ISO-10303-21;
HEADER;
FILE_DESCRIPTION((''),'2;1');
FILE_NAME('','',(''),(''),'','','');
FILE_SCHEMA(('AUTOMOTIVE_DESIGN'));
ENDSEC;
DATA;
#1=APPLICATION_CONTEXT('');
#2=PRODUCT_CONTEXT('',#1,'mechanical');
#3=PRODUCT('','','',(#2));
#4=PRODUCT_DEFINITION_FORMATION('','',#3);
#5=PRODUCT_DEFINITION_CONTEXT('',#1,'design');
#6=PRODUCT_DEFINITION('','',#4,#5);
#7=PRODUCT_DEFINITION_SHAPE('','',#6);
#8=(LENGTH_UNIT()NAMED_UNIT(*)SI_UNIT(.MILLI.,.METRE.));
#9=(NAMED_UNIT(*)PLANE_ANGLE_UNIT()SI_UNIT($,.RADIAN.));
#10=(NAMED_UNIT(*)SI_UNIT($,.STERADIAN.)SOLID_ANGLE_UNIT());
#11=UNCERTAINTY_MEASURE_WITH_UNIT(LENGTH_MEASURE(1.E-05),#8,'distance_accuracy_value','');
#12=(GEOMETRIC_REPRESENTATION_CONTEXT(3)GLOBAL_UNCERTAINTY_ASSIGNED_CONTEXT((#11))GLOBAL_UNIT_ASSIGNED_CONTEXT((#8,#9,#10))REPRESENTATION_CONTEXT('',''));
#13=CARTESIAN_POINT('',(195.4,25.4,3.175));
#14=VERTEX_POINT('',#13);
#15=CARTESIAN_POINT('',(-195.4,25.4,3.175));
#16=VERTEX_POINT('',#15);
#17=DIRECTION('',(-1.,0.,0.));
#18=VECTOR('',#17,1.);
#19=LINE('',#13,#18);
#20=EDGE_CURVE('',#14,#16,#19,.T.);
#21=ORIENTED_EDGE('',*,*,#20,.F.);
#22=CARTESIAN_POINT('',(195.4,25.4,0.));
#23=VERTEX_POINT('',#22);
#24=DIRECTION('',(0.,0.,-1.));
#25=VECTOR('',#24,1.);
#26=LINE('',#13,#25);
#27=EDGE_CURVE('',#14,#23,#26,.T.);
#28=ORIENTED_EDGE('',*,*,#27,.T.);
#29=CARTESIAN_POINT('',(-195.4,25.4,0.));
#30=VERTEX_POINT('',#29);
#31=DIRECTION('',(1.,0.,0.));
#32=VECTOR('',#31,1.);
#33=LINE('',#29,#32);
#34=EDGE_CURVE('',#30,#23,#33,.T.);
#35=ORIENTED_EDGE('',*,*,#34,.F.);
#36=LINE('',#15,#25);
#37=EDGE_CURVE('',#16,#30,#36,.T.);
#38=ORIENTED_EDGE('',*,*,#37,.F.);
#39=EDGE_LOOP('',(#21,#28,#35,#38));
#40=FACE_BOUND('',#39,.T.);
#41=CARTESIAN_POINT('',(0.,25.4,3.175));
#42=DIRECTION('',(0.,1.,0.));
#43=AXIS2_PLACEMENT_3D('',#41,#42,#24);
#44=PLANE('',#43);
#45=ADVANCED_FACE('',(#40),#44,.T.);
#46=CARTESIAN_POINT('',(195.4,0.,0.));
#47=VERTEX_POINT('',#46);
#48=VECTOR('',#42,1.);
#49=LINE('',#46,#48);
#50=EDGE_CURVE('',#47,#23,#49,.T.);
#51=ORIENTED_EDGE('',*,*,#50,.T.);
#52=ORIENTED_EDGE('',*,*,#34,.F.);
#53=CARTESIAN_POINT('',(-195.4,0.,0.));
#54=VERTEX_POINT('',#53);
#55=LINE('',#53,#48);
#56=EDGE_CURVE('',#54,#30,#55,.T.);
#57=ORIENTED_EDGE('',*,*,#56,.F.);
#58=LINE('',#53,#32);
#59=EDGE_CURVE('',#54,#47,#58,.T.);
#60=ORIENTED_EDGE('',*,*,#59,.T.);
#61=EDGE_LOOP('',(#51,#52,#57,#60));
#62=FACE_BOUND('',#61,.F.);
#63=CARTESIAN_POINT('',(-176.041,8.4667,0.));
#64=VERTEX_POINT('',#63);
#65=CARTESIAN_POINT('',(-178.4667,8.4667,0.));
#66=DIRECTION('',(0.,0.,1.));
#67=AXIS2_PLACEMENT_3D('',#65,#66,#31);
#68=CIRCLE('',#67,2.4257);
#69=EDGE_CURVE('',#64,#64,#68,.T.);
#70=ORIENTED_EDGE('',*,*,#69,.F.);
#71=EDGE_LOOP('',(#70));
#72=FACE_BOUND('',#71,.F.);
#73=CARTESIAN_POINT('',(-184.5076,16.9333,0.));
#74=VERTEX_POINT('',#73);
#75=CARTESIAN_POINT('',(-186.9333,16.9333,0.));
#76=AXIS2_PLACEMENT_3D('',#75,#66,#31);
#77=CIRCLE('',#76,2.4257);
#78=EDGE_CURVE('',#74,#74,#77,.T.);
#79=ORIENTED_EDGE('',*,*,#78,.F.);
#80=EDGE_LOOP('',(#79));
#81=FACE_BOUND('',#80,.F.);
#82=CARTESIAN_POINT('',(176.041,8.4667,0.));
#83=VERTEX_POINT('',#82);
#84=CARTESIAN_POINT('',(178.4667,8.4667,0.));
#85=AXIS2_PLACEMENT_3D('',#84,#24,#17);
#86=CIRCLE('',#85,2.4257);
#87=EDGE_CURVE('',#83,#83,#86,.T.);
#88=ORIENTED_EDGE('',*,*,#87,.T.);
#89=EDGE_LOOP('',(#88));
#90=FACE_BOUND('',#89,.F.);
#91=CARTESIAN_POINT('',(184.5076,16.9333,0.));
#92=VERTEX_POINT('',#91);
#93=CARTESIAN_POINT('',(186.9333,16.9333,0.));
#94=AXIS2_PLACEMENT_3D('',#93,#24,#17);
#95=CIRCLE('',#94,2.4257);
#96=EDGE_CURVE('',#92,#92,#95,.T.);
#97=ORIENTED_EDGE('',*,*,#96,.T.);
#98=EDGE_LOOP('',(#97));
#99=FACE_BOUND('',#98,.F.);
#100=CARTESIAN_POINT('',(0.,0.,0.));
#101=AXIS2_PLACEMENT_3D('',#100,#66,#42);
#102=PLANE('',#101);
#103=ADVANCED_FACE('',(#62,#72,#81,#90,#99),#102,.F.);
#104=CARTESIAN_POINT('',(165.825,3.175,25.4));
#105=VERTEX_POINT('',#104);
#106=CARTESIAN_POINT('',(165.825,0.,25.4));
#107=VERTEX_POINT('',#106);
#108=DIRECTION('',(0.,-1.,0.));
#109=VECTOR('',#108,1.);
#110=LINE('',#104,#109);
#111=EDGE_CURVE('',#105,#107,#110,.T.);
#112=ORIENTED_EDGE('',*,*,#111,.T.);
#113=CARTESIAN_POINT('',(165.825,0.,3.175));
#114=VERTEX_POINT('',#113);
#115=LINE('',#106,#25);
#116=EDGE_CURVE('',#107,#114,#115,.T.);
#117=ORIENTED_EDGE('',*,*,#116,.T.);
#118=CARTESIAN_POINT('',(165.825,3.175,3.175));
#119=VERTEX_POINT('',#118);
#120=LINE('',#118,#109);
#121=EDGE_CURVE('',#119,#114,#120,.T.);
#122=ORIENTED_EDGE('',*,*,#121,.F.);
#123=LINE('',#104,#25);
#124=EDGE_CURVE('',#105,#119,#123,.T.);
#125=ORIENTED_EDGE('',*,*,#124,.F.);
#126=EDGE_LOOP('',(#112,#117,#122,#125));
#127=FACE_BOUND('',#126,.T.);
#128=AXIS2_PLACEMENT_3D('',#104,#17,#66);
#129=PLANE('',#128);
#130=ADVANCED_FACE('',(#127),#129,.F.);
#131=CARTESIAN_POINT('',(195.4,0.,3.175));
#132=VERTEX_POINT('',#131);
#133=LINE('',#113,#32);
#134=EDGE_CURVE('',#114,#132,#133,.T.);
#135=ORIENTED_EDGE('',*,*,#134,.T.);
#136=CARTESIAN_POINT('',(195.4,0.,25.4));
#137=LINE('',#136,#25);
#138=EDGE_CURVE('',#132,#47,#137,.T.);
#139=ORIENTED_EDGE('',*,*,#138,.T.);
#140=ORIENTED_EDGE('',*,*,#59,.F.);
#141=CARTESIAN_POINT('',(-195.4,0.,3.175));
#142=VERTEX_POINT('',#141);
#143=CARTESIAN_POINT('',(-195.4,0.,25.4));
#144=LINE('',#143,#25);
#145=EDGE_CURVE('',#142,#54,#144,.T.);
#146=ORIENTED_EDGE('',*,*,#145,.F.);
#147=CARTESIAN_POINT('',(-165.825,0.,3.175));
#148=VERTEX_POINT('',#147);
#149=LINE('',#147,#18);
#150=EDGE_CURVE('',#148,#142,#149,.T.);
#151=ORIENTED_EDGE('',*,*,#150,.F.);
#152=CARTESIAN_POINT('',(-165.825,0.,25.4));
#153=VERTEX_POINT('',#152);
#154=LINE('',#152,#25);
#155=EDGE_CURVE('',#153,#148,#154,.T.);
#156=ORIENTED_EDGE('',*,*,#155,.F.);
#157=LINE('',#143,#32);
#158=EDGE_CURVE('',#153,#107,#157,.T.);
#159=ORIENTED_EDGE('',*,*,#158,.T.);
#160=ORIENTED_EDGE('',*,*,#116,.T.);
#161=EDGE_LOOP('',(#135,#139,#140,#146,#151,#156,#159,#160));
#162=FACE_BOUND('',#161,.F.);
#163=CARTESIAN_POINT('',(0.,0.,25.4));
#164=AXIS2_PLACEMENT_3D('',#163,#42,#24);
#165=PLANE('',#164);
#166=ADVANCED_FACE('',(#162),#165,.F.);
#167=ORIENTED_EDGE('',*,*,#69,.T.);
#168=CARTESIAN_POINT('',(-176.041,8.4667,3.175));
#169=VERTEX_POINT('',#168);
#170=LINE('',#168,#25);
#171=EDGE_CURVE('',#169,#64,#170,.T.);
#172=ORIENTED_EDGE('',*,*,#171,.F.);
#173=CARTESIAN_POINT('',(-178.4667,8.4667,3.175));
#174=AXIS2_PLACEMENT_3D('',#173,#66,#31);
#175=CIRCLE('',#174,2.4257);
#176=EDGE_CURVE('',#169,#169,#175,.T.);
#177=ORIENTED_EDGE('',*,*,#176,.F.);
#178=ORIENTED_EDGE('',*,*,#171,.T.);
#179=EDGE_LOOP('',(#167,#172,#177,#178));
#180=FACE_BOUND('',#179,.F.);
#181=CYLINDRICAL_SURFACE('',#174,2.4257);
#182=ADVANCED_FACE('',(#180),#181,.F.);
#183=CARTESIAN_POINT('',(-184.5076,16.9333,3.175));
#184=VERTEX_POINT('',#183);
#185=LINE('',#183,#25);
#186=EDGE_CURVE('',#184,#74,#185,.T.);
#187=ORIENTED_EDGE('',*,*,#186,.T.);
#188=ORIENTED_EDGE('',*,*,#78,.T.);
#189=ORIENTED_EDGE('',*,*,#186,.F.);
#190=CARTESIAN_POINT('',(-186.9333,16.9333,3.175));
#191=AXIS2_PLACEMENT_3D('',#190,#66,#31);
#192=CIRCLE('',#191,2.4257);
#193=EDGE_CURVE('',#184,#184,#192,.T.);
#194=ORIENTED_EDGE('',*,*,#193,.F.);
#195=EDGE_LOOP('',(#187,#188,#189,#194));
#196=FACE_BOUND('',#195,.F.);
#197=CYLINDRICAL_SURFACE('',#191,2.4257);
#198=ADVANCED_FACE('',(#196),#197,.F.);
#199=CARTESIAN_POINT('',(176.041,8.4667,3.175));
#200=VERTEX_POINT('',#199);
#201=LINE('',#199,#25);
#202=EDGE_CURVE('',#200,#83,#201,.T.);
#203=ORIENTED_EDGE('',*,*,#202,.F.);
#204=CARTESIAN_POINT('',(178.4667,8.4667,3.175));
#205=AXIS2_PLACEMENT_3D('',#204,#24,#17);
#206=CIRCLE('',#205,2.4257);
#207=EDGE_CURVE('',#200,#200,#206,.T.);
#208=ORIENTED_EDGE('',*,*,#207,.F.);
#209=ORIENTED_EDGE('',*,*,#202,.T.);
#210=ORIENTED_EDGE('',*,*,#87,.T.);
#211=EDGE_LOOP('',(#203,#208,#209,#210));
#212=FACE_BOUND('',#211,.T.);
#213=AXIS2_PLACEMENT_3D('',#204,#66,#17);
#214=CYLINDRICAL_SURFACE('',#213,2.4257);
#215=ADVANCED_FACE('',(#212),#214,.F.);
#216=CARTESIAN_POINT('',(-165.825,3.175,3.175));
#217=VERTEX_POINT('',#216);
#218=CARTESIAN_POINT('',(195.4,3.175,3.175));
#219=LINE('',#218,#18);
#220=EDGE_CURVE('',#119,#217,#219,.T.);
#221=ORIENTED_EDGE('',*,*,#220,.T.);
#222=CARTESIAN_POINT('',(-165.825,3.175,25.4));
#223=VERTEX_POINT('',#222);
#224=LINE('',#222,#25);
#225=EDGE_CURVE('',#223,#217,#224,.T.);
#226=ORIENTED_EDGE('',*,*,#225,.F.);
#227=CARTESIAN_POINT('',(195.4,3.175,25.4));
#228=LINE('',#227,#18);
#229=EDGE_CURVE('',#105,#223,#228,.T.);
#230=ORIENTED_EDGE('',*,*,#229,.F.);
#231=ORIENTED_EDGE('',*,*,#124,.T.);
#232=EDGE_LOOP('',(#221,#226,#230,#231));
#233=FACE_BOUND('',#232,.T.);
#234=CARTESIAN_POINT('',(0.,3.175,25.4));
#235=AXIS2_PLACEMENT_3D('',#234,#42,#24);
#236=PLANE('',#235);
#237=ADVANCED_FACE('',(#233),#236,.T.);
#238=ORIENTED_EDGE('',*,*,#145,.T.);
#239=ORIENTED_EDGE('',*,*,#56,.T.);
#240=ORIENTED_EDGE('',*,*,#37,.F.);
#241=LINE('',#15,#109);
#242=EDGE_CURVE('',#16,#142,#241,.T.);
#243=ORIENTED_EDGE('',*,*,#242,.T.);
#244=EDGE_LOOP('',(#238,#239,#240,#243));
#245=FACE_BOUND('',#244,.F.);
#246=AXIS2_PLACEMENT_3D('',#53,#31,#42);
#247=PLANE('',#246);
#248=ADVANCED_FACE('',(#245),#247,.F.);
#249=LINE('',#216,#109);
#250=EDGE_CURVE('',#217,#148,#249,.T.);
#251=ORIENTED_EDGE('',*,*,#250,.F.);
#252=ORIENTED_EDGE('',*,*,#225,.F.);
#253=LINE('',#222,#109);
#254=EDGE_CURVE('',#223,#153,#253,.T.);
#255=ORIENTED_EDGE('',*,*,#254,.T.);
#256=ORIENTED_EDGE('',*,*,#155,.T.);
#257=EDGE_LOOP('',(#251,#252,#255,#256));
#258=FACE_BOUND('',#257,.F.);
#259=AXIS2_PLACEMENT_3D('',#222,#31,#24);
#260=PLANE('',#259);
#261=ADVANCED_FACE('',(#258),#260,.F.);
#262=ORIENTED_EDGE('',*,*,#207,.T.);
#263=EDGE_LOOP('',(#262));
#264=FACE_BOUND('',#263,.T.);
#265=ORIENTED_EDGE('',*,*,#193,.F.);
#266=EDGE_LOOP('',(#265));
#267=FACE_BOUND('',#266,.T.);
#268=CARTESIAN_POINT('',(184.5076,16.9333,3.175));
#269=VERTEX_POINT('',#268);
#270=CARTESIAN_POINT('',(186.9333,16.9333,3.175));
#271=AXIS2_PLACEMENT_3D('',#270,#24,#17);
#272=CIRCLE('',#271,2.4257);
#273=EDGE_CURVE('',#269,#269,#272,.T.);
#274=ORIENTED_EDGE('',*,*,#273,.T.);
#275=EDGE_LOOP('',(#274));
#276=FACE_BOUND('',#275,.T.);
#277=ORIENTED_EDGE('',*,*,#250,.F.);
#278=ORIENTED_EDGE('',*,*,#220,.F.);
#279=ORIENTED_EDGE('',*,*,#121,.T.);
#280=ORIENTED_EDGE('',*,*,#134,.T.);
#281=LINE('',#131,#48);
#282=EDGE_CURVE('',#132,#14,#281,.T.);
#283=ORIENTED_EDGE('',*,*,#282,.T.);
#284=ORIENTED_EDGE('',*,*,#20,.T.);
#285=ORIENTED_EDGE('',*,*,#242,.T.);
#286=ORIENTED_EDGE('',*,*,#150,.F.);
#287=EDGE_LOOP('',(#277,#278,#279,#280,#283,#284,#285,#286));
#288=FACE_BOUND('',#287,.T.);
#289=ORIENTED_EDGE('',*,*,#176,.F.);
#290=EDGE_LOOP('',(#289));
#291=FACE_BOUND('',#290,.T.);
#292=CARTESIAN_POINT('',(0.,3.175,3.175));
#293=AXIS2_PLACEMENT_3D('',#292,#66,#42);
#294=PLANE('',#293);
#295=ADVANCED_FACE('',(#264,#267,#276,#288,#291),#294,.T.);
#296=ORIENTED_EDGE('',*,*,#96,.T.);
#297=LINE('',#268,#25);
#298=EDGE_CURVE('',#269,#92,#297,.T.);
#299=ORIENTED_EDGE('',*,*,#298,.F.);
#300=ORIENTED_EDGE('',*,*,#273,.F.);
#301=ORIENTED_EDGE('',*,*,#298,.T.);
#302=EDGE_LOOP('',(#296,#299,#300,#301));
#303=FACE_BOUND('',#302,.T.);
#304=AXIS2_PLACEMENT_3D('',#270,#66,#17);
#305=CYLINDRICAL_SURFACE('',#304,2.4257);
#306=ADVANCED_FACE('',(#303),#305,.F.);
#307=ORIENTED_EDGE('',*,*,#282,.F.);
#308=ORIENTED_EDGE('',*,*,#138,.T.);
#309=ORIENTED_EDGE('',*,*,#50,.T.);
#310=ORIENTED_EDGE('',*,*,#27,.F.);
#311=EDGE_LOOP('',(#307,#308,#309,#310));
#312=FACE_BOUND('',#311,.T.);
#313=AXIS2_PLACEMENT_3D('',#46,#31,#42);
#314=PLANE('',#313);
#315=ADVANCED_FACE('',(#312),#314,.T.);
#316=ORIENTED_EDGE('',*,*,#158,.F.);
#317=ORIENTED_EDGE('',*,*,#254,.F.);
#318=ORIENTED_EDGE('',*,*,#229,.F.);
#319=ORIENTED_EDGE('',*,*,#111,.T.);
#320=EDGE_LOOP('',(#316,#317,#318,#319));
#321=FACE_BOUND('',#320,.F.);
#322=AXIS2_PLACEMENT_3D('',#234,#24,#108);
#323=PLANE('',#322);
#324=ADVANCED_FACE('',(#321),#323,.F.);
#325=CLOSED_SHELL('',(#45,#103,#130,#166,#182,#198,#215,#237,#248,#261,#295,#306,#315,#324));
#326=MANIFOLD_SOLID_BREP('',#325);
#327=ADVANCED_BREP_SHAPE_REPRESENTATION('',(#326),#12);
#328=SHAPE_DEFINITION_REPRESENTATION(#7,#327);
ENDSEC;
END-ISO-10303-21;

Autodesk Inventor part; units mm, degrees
ref_plane "YZ Plane" through (0, 0, 0) normal (1, 0, 0) x (0, 1, 0)
ref_plane "XZ Plane" through (0, 0, 0) normal (0, 1, 0) x (-1, 0, 0)
ref_plane "XY Plane" through (0, 0, 0) normal (0, 0, 1) x (1, 0, 0)
sketch "Sketch1" plane through (0, 0, 0) normal (1, 0, 0) x (0, 1, 0)
  line L0 (25.4, 25.4) -> (0, 25.4) construction
  line L1 (0, 25.4) -> (0, 0)
  line L2 (0, 0) -> (25.4, 0)
  line L3 (25.4, 0) -> (25.4, 25.4) construction
  line L4 (25.4, 25.4) -> (3.175, 25.4) construction
  line L5 (3.175, 25.4) -> (3.175, 3.175)
  line L6 (3.175, 3.175) -> (25.4, 3.175)
  line L7 (25.4, 3.175) -> (25.4, 25.4) construction
  line L8 (25.4, 3.175) -> (25.4, 0)
  line L9 (3.175, 25.4) -> (0, 25.4)
  point P0 (0, 0)
  dimension "d1" = 25.4
  dimension "d2" = 3.175
extrude "Extrusion1" add sketch "Sketch1" along normal mid plane 390.8
sketch "Sketch2" plane through (-195.4, 3.175, 25.4) normal (0, 1, 0) x (1, 0, 0)
  line L0 (0, 0) -> (390.8, 0) projected
  line L1 (0, 0) -> (29.575, 0)
  line L2 (29.575, 0) -> (29.575, 22.225)
  line L3 (29.575, 22.225) -> (0, 22.225)
  line L4 (0, 22.225) -> (0, 0)
  line L5 (0, 22.225) -> (390.8, 22.225) projected
  point P0 (195.4, 25.4)
  point P1 (29.575, 0)
  dimension "d5" = 29.575
extrude "Extrusion2" cut sketch "Sketch2" against normal blind 3.175
sketch "Sketch3" plane through (-195.4, 25.4, 3.175) normal (0, 0, 1) x (1, 0, 0)
  line L0 (0, 0) -> (390.8, 0) construction
  line L1 (0, 0) -> (25.4, 0) construction
  line L2 (25.4, 0) -> (25.4, -25.4) construction
  line L3 (25.4, -25.4) -> (0, -25.4) construction
  line L4 (0, -25.4) -> (0, 0) construction
  line L5 (3.175, 0) -> (22.225, 0) construction
  line L6 (22.225, 0) -> (22.225, -25.4) construction
  line L7 (22.225, -25.4) -> (3.175, -25.4) construction
  line L8 (3.175, -25.4) -> (3.175, 0) construction
  line L9 (8.4667, -8.4667) -> (16.9333, -8.4667) construction
  line L10 (16.9333, -8.4667) -> (16.9333, -16.9333) construction
  line L11 (16.9333, -16.9333) -> (8.4667, -16.9333) construction
  line L12 (8.4667, -16.9333) -> (8.4667, -8.4667) construction
  circle A0 centre (8.4667, -8.4667) radius 2.4257
  circle A1 centre (16.9333, -16.9333) radius 2.4257
  point P0 (195.4, -25.4)
  point P1 (12.7, 0)
  point P2 (12.7, 0)
  point P3 (16.9333, -12.7)
  point P4 (22.225, -12.7)
  point P5 (12.7, -8.4667)
  dimension "d8" = 25.4
  dimension "d9" = 3.175
  dimension "d10" = 4.8514
  dimension "d11" = 8.4667
extrude "Extrusion3" cut sketch "Sketch3" against normal blind 3.175
mirror "Mirror1" about plane through (0, 0, 0) normal (1, 0, 0) of "Extrusion2", "Extrusion3"
properties part number "beamZ"
